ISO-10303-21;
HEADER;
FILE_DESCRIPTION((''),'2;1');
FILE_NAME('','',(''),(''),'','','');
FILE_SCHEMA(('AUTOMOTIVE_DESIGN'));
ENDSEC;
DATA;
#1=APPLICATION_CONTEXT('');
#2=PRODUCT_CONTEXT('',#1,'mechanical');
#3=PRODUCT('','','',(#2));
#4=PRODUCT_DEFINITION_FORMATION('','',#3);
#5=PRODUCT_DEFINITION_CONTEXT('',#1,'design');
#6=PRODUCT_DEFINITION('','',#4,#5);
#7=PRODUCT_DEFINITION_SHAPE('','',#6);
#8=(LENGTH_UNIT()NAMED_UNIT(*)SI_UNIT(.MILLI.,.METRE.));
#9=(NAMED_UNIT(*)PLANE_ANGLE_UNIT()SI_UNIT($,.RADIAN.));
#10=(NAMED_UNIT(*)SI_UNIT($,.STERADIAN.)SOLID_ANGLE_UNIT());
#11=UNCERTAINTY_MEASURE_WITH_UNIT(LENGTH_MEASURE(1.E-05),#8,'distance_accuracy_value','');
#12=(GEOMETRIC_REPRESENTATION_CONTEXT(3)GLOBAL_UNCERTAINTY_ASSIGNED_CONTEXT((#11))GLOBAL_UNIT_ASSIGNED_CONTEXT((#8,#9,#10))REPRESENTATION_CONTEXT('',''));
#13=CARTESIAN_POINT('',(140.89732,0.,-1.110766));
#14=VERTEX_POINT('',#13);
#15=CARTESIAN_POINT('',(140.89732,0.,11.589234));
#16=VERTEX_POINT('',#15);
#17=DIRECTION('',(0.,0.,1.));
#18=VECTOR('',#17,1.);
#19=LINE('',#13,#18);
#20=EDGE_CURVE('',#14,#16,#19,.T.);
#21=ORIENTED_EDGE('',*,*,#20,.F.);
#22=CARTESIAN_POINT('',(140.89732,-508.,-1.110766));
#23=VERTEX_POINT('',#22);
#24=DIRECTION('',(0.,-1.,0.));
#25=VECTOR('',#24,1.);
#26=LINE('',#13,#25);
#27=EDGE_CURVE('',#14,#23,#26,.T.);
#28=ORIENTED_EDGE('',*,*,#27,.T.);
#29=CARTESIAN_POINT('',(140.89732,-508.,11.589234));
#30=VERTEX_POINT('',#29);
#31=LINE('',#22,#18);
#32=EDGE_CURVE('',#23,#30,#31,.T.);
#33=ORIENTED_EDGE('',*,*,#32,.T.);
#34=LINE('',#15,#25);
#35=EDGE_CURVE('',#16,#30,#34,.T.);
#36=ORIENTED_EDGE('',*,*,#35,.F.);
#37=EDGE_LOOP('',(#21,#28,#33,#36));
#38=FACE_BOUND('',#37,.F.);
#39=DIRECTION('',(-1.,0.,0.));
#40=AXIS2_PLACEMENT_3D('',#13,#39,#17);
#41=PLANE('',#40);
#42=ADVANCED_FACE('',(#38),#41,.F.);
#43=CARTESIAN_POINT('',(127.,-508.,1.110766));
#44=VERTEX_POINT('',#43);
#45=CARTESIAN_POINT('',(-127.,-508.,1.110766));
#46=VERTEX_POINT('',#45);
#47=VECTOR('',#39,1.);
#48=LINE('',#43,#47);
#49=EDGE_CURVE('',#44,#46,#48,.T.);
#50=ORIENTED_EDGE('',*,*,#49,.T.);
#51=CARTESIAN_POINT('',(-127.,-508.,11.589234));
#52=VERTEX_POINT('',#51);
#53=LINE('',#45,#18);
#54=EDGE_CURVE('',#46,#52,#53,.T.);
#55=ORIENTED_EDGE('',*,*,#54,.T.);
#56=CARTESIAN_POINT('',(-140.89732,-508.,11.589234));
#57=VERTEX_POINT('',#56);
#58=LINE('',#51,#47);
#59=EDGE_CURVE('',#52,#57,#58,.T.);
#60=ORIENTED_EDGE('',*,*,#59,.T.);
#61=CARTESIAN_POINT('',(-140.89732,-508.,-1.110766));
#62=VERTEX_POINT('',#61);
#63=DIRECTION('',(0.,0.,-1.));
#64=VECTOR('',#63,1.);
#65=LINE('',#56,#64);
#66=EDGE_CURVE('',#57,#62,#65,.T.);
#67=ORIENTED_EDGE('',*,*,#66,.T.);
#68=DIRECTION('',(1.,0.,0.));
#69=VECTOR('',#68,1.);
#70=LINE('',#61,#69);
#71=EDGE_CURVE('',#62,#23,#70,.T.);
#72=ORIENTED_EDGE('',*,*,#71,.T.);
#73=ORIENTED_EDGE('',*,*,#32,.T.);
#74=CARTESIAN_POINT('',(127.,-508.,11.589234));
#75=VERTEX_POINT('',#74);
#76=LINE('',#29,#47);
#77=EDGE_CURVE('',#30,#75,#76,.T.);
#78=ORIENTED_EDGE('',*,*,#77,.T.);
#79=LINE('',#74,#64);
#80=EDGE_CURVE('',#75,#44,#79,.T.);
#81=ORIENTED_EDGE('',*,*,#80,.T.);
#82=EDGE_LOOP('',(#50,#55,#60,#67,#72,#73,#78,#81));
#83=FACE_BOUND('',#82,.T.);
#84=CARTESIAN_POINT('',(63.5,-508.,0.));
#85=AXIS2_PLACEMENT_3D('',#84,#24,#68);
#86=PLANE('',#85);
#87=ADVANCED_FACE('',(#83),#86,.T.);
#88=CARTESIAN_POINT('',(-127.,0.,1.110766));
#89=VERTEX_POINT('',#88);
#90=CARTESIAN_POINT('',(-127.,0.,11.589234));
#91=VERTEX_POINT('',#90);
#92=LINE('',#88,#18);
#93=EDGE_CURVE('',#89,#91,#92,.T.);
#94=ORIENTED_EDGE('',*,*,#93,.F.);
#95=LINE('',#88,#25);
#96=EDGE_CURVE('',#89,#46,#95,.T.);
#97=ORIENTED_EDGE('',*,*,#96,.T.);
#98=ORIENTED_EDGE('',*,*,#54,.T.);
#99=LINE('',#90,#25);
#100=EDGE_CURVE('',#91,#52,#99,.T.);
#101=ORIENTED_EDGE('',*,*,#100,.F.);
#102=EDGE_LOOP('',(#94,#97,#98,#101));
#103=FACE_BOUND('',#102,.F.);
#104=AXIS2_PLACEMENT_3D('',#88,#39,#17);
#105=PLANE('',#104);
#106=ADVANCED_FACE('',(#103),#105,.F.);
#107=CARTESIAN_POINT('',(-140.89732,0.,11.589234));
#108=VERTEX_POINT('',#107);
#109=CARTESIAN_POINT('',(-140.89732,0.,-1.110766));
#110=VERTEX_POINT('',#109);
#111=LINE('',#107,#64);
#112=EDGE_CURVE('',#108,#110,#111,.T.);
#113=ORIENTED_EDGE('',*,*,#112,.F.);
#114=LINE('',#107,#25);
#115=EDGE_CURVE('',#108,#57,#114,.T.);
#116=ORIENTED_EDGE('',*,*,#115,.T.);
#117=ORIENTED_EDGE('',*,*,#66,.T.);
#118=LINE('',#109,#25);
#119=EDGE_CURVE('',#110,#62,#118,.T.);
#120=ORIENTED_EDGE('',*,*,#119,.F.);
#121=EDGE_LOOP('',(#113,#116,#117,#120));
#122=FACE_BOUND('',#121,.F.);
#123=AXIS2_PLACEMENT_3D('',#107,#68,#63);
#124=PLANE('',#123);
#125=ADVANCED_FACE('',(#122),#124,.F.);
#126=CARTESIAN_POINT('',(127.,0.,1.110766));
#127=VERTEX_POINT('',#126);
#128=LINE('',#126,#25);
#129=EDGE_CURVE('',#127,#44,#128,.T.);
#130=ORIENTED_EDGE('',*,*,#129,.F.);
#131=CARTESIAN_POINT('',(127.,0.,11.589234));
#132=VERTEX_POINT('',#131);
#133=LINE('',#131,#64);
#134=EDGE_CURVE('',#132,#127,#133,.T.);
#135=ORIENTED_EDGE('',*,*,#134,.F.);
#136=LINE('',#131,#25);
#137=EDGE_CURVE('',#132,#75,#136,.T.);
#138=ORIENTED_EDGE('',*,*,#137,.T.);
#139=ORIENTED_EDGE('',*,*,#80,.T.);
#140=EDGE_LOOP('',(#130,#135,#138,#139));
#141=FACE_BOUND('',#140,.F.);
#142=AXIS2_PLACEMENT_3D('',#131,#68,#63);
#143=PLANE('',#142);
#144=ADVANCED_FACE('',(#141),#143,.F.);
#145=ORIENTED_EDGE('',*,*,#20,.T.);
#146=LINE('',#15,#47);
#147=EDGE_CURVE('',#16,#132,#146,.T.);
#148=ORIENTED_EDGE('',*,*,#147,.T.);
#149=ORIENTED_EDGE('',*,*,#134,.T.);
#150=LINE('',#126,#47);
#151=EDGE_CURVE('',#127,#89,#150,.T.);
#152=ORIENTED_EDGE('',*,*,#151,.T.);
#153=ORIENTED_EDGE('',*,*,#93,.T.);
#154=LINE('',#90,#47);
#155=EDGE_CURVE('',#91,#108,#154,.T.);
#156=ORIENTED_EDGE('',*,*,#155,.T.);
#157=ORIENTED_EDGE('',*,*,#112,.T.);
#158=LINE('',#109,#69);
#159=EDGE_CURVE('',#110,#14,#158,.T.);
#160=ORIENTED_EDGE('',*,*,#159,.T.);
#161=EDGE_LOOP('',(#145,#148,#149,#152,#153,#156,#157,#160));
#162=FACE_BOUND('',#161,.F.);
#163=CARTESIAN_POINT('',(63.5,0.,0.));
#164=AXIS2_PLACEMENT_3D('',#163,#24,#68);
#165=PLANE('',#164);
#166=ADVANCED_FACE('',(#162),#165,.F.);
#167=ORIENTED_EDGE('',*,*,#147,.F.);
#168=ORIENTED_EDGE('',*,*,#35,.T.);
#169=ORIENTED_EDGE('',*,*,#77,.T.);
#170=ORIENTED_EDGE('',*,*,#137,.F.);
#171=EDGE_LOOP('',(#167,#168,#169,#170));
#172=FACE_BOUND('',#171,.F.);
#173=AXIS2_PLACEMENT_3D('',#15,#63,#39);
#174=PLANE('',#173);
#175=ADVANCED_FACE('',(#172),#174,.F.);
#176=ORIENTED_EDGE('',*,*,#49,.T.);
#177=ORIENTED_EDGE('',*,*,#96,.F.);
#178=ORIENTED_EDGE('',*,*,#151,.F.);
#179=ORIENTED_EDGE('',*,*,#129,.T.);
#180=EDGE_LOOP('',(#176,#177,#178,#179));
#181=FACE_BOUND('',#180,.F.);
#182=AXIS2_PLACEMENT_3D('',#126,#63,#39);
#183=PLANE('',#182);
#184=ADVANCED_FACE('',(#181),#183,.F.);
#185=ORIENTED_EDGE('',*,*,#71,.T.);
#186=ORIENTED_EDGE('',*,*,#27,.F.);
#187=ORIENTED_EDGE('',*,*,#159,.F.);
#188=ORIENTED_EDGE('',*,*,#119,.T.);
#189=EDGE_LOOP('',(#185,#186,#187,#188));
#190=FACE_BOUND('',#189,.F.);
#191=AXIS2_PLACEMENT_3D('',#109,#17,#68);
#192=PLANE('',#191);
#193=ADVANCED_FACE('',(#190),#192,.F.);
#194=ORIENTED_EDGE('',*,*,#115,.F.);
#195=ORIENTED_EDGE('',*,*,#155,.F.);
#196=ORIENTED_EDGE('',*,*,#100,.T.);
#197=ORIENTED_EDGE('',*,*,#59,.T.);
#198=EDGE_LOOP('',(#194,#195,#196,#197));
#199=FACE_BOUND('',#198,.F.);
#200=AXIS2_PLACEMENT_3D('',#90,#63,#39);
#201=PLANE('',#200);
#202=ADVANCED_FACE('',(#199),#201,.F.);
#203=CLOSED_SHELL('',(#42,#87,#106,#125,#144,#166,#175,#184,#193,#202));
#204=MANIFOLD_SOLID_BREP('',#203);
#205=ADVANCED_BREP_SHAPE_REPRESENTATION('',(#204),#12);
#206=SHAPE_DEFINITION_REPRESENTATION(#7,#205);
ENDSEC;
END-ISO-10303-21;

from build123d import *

# Parameters (mm, degrees)
F0_W     = 127
F0_H     = 2.221532
F1_DEPTH = 508


with BuildPart() as f1:
    # F0 (on Front) → F1 (new body)
    with BuildSketch(Plane.XZ):
        with Locations((63.5, 0)):
            Rectangle(F0_W, F0_H)
        Polygon((127, 1.110766), (127, -1.110766), (140.89732, -1.110766), (140.89732, 11.589234), (127, 11.589234), align=None)
        with Locations((-63.5, 0)):
            Rectangle(F0_W, F0_H)
        Polygon((-140.89732, -1.110766), (-127, -1.110766), (-127, 1.110766), (-127, 11.589234), (-140.89732, 11.589234), align=None)
    extrude(amount=F1_DEPTH)


solid = f1.part
